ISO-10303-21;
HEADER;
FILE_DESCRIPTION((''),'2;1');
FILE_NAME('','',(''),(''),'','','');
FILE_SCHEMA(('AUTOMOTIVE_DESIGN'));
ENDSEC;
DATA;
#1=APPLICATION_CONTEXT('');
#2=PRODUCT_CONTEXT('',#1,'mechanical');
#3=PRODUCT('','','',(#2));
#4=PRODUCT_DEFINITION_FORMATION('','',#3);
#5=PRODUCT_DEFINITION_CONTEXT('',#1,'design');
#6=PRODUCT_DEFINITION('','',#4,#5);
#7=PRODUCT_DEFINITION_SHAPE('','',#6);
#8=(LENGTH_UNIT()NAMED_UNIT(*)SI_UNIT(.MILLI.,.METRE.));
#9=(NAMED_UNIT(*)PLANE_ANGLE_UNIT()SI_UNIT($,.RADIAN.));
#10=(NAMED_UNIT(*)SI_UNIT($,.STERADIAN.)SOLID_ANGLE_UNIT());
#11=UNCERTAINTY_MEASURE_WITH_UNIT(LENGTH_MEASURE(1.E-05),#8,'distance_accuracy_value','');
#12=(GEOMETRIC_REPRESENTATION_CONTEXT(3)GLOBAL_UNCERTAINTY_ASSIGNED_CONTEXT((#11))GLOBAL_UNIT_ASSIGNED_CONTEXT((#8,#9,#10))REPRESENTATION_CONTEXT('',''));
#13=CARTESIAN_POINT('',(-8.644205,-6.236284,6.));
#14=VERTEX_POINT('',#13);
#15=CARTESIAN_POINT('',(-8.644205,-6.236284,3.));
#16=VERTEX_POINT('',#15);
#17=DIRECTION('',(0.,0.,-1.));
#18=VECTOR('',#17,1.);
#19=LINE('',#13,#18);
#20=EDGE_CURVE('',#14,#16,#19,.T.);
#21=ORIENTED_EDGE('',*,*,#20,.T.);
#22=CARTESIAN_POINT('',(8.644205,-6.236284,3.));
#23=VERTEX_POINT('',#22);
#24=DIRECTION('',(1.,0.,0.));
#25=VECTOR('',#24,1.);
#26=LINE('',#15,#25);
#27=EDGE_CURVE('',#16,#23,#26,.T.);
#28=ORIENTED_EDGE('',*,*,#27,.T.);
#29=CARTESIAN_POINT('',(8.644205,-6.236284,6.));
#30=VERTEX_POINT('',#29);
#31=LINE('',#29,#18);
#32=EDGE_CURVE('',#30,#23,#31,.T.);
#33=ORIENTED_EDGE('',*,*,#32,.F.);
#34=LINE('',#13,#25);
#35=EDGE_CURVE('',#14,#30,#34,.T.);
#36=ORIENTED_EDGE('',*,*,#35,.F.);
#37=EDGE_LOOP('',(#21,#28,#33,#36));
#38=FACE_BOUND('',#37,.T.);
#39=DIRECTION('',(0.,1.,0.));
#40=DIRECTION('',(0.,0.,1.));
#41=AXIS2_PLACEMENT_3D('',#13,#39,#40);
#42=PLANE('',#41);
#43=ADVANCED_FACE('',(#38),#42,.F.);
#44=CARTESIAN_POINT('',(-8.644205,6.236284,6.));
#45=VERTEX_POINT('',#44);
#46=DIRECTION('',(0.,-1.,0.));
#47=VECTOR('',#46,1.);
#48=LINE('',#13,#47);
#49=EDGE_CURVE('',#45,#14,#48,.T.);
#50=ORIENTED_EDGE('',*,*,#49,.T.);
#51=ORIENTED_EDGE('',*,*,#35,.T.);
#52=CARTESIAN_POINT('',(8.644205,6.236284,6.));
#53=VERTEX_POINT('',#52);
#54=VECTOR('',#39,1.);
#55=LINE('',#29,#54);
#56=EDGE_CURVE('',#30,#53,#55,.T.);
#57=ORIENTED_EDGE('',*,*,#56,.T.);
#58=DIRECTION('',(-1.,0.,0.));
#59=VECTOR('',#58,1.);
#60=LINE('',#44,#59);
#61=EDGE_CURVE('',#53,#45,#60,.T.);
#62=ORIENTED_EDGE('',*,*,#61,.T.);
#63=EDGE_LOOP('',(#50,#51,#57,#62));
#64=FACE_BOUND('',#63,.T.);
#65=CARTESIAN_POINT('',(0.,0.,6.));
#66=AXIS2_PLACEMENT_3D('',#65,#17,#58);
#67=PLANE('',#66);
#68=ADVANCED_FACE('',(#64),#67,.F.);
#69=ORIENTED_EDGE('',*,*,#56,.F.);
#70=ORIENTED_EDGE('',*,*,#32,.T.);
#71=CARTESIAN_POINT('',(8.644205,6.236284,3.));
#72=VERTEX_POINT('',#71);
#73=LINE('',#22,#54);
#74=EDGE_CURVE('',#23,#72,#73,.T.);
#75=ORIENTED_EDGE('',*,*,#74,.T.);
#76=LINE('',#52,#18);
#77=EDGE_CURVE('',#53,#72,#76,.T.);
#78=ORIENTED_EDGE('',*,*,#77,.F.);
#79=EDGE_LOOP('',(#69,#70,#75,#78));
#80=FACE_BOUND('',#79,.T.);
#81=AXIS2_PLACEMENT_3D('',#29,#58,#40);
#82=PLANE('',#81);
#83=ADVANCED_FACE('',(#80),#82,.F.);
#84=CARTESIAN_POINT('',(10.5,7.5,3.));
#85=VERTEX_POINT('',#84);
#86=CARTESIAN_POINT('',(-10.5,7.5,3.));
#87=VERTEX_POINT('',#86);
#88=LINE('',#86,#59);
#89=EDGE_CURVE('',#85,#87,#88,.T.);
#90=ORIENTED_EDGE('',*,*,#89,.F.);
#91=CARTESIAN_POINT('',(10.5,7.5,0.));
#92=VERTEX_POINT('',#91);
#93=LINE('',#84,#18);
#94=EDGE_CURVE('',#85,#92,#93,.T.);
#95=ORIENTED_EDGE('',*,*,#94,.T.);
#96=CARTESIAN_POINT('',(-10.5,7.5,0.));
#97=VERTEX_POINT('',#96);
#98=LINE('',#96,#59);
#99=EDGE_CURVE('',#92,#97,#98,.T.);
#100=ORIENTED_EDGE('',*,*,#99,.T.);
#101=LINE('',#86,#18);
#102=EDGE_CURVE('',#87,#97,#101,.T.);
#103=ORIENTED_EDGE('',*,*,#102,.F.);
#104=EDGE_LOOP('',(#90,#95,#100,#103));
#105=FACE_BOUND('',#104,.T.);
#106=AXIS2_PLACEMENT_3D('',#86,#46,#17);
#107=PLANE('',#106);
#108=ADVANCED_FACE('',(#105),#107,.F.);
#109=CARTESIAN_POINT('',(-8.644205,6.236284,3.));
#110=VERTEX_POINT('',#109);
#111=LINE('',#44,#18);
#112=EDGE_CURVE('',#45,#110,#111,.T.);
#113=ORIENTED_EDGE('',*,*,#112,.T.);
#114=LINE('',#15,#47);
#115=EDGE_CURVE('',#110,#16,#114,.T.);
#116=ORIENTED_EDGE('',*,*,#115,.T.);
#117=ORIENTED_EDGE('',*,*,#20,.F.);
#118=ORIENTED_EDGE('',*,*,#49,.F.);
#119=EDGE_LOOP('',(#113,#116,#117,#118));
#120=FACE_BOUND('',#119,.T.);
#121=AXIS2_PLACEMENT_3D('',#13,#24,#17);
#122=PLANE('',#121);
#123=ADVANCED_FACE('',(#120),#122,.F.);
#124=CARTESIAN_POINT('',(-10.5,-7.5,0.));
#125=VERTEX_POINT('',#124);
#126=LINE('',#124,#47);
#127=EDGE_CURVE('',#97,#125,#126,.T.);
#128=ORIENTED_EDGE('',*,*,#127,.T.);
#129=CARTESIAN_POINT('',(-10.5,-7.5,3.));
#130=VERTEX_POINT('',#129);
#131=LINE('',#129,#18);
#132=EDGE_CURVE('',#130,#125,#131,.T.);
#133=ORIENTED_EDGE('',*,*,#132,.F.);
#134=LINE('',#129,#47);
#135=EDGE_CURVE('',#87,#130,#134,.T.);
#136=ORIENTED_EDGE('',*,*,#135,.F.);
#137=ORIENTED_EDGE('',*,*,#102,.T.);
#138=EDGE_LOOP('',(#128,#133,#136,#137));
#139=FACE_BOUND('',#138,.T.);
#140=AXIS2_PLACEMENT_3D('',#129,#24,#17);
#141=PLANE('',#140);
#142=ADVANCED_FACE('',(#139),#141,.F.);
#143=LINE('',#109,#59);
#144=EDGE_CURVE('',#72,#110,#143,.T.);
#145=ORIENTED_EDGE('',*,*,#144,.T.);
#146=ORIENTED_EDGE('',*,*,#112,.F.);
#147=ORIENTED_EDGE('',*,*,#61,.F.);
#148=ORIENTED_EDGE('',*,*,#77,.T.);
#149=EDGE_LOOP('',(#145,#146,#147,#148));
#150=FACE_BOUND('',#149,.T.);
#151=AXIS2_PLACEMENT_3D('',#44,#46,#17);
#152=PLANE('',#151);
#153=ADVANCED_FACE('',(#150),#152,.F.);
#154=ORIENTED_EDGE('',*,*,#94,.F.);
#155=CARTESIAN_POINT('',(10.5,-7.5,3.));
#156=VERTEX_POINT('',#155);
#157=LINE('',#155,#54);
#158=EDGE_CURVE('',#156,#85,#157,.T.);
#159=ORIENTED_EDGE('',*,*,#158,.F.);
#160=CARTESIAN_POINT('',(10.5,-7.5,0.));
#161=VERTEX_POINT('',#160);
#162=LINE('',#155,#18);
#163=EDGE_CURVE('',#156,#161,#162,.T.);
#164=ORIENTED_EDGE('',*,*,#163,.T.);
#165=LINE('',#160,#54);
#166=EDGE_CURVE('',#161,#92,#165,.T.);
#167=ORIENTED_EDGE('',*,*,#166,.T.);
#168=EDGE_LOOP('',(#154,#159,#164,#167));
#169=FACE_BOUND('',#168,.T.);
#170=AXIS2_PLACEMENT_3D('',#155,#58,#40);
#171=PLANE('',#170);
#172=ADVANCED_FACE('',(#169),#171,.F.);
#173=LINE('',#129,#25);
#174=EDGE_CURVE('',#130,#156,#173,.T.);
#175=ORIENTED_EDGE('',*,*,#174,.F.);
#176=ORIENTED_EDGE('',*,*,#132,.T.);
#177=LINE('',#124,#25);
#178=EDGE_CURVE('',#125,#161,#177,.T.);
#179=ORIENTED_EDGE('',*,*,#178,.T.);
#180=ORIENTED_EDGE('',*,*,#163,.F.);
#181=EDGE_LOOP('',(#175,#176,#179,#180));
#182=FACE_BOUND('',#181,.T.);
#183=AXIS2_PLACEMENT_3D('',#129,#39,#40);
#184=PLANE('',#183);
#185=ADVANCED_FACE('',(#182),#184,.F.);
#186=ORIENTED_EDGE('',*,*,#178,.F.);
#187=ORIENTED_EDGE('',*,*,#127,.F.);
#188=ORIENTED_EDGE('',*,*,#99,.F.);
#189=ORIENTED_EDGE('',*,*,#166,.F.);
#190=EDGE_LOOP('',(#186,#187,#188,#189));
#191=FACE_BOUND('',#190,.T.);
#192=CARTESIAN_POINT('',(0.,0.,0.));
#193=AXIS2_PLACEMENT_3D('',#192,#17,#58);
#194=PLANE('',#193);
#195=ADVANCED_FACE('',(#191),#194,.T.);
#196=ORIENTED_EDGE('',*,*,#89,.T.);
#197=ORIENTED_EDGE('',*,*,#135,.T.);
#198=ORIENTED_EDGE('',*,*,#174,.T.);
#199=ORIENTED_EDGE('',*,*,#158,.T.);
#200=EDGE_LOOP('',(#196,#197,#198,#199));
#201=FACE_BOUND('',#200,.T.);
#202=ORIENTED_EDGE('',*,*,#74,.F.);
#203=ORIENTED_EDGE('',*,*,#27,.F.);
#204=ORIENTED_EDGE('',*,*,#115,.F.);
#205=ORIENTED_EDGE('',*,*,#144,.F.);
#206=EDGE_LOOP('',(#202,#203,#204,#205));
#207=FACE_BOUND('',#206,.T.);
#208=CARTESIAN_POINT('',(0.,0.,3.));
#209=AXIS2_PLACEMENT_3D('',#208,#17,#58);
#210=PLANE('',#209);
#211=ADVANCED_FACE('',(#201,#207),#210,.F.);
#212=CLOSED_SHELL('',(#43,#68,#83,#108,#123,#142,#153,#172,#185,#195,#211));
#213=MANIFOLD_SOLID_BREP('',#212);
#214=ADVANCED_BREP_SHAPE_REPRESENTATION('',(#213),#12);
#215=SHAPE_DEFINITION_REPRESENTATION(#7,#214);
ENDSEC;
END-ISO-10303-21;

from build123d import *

# Parameters (mm, degrees)
SKETCH1_W           = 21
SKETCH1_H           = 15
BOSS_EXTRUDE1_DEPTH = 3
SKETCH2_W           = 17.288409024
SKETCH2_H           = 12.472568428
BOSS_EXTRUDE2_DEPTH = 3


with BuildPart() as part:
    # Sketch1 → Boss-Extrude1 (new body)
    with BuildSketch(Plane.XY):
        Rectangle(SKETCH1_W, SKETCH1_H)
    extrude(amount=BOSS_EXTRUDE1_DEPTH)

    # Sketch2 → Boss-Extrude2 (add)
    with BuildSketch(Plane.XY.offset(3)):
        Rectangle(SKETCH2_W, SKETCH2_H)
    extrude(amount=BOSS_EXTRUDE2_DEPTH)


solid = part.part
